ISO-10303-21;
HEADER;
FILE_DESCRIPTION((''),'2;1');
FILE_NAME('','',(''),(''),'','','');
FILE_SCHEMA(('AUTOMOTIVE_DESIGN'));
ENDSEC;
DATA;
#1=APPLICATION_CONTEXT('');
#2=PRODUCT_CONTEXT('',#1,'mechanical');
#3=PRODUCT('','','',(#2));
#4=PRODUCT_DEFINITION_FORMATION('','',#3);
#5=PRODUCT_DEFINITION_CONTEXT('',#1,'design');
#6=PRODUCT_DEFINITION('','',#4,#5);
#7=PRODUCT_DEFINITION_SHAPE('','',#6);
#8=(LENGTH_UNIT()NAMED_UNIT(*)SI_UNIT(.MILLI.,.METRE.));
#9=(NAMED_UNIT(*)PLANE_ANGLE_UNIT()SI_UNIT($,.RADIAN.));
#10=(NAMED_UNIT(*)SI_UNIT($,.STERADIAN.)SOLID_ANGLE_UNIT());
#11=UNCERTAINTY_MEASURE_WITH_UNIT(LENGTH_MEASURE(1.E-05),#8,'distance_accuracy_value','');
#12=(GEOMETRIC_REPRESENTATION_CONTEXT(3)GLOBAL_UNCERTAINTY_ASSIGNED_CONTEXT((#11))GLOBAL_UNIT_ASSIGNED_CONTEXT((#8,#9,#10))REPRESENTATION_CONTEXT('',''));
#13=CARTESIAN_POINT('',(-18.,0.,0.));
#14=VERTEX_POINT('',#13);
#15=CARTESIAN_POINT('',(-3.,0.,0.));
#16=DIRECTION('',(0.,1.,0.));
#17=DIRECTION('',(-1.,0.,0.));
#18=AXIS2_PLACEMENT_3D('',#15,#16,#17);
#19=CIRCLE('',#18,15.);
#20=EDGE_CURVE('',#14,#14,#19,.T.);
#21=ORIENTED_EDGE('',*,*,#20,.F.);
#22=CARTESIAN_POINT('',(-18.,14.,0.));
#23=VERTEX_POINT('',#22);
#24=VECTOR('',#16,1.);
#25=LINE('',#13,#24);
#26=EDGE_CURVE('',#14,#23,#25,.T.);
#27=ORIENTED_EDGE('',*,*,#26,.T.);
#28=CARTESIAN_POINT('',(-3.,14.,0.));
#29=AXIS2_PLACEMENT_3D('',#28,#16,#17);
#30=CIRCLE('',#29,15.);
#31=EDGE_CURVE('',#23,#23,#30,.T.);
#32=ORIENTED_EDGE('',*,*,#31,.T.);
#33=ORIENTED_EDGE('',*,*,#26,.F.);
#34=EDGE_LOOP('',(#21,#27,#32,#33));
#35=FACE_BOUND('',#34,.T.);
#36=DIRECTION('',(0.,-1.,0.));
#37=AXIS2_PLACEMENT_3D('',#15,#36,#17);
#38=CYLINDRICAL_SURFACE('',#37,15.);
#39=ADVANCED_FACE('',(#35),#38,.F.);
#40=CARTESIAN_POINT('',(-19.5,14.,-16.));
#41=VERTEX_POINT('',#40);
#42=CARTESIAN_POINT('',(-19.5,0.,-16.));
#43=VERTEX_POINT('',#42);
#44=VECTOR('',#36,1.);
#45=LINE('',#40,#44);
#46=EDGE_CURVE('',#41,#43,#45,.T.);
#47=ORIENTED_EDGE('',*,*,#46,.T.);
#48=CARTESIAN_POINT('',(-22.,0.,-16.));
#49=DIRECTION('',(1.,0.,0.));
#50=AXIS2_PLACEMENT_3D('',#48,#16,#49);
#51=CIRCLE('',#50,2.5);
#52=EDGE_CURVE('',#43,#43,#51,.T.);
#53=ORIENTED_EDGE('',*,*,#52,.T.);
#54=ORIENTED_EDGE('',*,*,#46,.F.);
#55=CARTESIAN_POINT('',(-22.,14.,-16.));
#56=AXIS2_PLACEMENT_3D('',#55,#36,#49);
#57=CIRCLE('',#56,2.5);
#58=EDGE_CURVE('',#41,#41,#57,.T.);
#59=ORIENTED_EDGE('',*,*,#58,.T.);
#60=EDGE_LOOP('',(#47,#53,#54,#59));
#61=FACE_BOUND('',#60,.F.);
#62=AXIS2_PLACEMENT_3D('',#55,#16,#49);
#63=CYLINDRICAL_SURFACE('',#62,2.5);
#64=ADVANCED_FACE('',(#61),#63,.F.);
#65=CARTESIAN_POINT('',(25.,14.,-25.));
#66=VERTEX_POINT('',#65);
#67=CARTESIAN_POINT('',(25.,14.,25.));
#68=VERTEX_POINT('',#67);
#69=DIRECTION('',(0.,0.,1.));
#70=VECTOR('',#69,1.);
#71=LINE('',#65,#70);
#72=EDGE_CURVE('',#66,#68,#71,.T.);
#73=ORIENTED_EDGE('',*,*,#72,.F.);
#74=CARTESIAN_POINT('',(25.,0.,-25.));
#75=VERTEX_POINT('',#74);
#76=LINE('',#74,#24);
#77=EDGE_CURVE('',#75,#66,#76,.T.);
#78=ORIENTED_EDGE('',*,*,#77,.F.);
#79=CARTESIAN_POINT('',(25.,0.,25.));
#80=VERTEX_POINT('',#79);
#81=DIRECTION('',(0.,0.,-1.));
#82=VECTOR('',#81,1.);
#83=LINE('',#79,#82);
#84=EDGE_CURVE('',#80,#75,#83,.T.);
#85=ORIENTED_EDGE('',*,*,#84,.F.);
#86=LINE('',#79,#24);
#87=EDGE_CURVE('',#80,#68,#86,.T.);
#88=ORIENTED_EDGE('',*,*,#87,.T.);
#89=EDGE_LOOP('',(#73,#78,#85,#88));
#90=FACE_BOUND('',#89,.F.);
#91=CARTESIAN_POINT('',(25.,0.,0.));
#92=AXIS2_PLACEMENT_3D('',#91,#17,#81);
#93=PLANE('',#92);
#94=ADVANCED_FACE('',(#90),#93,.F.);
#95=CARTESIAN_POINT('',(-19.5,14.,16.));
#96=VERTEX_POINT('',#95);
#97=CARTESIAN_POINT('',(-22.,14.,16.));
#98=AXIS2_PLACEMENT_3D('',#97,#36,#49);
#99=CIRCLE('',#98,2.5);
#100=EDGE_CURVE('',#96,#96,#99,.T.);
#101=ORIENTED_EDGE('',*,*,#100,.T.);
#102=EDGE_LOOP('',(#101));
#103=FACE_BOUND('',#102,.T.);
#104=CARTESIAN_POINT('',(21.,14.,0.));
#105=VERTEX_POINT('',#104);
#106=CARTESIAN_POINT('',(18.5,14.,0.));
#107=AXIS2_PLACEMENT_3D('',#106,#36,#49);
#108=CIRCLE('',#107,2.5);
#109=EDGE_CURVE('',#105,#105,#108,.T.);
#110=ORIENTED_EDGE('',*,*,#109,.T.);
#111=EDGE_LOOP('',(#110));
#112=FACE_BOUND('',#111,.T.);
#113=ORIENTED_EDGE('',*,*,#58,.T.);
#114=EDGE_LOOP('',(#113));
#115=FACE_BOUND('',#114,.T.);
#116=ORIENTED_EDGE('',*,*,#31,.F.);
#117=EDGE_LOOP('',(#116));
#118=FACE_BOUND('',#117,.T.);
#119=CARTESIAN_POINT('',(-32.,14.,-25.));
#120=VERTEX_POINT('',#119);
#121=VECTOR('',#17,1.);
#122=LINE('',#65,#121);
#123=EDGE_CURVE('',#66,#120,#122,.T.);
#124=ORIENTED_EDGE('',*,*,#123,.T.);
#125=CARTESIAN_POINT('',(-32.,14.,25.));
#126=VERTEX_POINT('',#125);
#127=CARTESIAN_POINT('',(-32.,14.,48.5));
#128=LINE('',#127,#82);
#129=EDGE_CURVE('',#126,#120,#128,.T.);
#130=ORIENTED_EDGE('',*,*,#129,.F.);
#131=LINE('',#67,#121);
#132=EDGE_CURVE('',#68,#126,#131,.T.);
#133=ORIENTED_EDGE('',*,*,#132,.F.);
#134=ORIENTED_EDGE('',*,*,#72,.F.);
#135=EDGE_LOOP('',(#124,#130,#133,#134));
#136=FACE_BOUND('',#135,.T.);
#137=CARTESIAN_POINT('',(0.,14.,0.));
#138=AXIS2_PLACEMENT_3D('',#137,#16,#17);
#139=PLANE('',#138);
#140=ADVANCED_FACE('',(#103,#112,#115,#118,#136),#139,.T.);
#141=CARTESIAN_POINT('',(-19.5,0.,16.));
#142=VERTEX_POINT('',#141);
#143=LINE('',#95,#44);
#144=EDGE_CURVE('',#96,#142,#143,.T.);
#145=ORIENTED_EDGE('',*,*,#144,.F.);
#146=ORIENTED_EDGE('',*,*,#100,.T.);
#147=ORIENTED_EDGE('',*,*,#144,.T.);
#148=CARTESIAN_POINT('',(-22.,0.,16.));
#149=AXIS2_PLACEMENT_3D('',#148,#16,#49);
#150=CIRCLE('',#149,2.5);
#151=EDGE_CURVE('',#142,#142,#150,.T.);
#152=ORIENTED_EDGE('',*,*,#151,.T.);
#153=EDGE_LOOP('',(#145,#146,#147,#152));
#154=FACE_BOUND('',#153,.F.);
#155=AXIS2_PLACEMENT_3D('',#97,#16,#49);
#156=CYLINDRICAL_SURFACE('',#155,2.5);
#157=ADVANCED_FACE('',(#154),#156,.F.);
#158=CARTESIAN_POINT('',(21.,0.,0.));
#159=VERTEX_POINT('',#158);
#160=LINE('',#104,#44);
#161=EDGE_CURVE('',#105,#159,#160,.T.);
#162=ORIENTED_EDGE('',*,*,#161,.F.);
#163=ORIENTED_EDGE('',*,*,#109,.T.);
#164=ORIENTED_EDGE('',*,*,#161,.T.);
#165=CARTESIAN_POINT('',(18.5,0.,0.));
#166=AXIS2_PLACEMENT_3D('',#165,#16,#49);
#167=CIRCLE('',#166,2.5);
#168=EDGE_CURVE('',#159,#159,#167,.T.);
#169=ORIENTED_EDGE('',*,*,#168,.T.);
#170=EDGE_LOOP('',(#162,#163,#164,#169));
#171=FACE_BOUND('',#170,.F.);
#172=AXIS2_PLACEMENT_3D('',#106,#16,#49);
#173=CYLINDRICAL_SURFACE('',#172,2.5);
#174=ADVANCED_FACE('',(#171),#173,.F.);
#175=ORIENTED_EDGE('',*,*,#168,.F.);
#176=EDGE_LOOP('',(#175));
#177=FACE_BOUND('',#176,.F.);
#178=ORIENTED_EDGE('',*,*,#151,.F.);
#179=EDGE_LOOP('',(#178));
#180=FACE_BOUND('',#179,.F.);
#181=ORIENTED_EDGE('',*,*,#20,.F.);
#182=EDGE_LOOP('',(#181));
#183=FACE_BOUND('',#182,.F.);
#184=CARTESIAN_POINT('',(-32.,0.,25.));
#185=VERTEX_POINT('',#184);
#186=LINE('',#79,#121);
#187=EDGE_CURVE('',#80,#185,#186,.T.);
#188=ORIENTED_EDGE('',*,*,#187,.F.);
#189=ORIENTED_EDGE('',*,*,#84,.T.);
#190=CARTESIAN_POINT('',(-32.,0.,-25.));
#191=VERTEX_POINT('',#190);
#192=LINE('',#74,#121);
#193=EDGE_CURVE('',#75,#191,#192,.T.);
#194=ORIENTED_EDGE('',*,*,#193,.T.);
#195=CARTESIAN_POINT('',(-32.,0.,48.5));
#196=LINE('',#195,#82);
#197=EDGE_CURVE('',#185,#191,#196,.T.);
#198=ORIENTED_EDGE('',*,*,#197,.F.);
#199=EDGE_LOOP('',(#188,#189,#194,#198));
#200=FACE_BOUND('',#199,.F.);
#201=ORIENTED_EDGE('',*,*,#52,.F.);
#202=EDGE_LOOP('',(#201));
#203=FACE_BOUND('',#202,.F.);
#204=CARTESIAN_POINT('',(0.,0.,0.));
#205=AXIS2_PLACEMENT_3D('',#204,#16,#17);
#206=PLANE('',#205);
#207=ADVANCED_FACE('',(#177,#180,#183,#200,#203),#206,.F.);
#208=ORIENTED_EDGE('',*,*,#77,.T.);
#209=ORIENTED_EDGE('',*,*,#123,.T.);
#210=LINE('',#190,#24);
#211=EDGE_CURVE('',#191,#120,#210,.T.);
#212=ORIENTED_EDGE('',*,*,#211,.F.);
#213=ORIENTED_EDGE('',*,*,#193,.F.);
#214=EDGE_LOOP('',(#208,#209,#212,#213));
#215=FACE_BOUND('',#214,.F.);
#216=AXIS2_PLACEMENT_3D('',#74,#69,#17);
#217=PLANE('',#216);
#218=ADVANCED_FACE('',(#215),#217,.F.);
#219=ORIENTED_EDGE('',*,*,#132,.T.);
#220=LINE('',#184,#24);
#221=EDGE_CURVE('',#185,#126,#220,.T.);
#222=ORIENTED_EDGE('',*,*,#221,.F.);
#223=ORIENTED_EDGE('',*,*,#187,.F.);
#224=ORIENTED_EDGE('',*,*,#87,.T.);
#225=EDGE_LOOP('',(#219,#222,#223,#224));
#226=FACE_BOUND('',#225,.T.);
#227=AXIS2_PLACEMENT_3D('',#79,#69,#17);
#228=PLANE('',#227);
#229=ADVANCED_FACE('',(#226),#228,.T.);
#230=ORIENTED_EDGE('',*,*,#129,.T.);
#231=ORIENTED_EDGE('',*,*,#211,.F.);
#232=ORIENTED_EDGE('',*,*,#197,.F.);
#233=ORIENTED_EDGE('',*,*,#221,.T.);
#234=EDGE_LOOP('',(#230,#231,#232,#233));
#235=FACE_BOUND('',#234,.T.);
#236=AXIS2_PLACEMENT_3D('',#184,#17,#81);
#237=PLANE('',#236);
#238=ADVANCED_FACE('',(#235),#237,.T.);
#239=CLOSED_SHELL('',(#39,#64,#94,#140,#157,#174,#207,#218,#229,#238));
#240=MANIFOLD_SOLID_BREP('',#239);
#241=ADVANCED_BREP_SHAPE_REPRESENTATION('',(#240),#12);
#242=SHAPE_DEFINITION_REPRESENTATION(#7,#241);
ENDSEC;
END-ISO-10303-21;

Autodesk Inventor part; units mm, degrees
ref_plane "YZ Plane" through (0, 0, 0) normal (1, 0, 0) x (0, 1, 0)
ref_plane "XZ Plane" through (0, 0, 0) normal (0, 1, 0) x (-1, 0, 0)
ref_plane "XY Plane" through (0, 0, 0) normal (0, 0, 1) x (1, 0, 0)
sketch "Szkic1" plane through (0, 0, 0) normal (0, 1, 0) x (-1, 0, 0)
  circle A0 centre (3, 0) radius 15
  line L0 (32, -51.5) -> (19.7697, -51.5)
  arc A1 (19.7697, -48.5) -> (19.7697, -51.5) centre (15, -50) ccw
  line L1 (19.7697, -48.5) -> (32, -48.5)
  line L2 (32, 48.5) -> (32, -48.5)
  line L3 (32, 48.5) -> (19.7697, 48.5)
  arc A2 (19.7697, 51.5) -> (19.7697, 48.5) centre (15, 50) ccw
  line L4 (19.7697, 51.5) -> (32, 51.5)
  line L5 (32, 60) -> (32, 51.5)
  line L6 (32, 60) -> (-25, 60)
  line L7 (-25, 60) -> (-25, -60)
  line L8 (-25, -60) -> (32, -60)
  line L9 (32, -51.5) -> (32, -60)
  line L10 (-25, 0) -> (-25, -25)
  line L11 (-25, -25) -> (32, -25)
  line L12 (-25, 0) -> (-25, 25)
  line L13 (-25, 25) -> (32, 25)
  point P0 (0, 0)
  point P1 (0, 0)
  dimension "d0" = 25
  dimension "d1" = 25
extrude "Wyciągnięcie proste1" add sketch "Szkic1" along normal blind 14 contours L7 L13 L2 L11
sketch "Szkic2" plane through (0, 14, 0) normal (0, 1, 0) x (1, 0, 0)
  circle A0 centre (-3, 0) radius 15 projected
  line L0 (-32, 25) -> (-32, -25) projected
  line L1 (25, -25) -> (25, 25) projected
  line L2 (12, 0) -> (15, 0)
  line L3 (-18, 0) -> (-22, 0)
  line L4 (-22, 0) -> (-22, 16)
  line L5 (-22, 0) -> (-22, -16)
  circle A1 centre (-22, 16) radius 2.5
  circle A2 centre (-22, -16) radius 2.5
  line L6 (12, 0) -> (18.5, 0)
  circle A3 centre (18.5, 0) radius 2.5
  point P0 (0, 0)
  dimension "d11" = 10
  dimension "d12" = 5
  dimension "d13" = 5
  dimension "d18" = 6.5
  dimension "d19" = 5
extrude "Wyciągnięcie proste2" cut sketch "Szkic2" against normal up to next contours A2 | A1 | A3
properties part number "Uchwyt górnego łożyska osi Z"
